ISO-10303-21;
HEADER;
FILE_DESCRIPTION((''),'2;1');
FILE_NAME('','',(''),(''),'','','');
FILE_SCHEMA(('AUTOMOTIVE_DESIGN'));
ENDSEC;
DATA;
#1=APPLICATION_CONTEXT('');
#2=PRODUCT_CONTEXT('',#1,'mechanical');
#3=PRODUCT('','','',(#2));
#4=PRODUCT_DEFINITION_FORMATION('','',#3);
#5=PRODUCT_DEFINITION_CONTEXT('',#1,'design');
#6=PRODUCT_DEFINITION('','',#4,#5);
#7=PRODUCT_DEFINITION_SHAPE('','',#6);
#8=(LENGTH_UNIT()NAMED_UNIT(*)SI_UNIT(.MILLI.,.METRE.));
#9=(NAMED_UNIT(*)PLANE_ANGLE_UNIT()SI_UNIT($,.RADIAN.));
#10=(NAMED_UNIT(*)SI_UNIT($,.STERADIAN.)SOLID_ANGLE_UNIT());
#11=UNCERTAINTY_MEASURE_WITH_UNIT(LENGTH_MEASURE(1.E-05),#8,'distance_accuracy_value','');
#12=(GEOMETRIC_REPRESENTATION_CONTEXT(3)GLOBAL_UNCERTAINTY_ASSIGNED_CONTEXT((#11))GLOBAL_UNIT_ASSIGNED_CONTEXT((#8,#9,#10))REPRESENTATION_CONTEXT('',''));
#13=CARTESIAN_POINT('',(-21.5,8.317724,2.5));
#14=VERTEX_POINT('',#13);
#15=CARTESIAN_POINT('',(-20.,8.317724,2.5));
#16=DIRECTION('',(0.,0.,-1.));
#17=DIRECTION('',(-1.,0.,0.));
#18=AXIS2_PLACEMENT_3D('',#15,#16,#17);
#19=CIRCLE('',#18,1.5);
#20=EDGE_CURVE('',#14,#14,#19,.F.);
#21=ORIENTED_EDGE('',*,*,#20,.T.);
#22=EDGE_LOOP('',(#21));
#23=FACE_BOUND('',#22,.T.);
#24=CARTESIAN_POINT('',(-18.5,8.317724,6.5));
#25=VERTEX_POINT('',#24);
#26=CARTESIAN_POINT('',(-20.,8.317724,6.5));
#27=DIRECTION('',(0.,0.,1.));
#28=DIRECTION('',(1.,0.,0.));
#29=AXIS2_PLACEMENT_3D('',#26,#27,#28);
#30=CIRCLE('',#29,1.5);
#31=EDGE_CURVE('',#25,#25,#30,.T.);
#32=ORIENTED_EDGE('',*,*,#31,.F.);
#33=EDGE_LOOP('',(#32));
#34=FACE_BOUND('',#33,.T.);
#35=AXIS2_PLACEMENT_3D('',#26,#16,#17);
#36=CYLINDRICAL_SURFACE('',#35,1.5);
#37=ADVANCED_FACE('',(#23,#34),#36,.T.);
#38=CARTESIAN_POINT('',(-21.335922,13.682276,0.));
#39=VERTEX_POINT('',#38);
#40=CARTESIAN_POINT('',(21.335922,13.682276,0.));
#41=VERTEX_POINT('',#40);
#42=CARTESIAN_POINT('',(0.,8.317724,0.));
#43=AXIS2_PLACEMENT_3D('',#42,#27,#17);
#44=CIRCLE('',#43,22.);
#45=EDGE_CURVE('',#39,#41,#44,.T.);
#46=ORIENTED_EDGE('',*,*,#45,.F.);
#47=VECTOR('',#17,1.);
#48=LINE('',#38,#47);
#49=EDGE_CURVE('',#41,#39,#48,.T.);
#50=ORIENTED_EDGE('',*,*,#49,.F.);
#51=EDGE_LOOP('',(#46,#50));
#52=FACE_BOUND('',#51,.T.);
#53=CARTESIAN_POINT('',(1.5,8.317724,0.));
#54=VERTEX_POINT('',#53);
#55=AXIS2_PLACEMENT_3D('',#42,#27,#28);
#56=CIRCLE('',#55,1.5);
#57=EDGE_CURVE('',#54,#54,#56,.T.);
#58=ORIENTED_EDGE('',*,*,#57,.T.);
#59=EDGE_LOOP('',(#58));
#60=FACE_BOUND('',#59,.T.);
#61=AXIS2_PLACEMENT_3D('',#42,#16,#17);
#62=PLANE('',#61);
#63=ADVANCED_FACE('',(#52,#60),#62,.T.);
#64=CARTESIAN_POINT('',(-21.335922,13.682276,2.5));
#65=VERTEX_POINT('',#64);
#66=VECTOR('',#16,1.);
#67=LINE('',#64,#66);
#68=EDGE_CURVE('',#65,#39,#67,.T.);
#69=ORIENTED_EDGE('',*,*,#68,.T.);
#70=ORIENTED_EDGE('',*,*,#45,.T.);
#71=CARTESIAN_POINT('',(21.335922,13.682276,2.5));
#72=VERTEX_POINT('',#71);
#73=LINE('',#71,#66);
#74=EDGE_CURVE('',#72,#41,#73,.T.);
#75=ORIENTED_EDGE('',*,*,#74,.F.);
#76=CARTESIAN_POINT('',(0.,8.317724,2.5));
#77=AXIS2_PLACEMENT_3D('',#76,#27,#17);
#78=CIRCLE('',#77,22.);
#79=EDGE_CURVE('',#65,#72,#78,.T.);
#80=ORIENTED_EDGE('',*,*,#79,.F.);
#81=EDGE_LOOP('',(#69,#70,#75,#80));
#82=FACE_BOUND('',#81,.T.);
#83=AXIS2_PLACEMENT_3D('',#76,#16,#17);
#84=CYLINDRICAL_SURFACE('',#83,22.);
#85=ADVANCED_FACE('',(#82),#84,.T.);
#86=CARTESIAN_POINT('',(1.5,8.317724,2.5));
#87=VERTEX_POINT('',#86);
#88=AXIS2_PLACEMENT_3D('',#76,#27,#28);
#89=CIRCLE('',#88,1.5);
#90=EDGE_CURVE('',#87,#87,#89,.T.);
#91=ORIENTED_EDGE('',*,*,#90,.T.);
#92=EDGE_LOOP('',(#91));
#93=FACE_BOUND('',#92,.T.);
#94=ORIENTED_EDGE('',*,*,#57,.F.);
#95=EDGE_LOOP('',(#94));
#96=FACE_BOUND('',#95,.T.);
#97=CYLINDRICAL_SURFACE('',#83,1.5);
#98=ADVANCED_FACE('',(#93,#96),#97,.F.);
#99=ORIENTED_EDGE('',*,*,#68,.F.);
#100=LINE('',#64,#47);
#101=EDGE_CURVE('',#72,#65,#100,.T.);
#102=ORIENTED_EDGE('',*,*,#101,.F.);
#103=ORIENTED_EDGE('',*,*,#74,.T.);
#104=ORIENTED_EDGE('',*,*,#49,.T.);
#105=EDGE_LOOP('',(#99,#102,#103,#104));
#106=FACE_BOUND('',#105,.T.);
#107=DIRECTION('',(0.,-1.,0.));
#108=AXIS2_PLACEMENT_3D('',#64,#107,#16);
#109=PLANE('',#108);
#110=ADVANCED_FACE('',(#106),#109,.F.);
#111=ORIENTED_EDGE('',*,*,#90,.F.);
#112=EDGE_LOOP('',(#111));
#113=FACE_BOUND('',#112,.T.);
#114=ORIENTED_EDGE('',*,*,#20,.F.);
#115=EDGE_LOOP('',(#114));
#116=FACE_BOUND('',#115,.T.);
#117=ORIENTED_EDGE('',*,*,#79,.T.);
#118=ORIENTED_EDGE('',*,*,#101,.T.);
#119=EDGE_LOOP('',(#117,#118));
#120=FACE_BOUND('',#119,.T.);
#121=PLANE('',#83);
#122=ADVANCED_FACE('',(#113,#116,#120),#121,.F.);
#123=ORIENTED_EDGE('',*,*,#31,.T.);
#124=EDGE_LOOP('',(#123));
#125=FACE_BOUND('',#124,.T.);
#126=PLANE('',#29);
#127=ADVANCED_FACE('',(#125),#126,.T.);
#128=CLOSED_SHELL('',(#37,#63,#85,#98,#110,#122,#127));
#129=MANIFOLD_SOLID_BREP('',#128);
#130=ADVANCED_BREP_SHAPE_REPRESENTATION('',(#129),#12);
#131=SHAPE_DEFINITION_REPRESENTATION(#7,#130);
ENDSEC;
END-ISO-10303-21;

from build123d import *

# Parameters (mm, degrees)
SKETCH1_R           = 1.5
BOSS_EXTRUDE1_DEPTH = 2.5
SKETCH2_R           = 1.5
BOSS_EXTRUDE2_DEPTH = 4


with BuildPart() as part:
    # Sketch1 → Boss-Extrude1 (new body)
    with BuildSketch(Plane.XY):
        with BuildLine():
            Line((-21.335922229, 13.682276209), (21.335922229, 13.682276209))
            ThreePointArc((21.335922229, 13.682276209), (0, -13.682276209), (-21.335922229, 13.682276209))
        make_face()
        with Locations((0, 8.317723791)):
            Circle(SKETCH1_R, mode=Mode.SUBTRACT)
    extrude(amount=BOSS_EXTRUDE1_DEPTH)

    # Sketch2 → Boss-Extrude2 (add)
    with BuildSketch(Plane.XY.offset(2.5)):
        with Locations((-20, 8.317723791)):
            Circle(SKETCH2_R)
    extrude(amount=BOSS_EXTRUDE2_DEPTH)


solid = part.part
